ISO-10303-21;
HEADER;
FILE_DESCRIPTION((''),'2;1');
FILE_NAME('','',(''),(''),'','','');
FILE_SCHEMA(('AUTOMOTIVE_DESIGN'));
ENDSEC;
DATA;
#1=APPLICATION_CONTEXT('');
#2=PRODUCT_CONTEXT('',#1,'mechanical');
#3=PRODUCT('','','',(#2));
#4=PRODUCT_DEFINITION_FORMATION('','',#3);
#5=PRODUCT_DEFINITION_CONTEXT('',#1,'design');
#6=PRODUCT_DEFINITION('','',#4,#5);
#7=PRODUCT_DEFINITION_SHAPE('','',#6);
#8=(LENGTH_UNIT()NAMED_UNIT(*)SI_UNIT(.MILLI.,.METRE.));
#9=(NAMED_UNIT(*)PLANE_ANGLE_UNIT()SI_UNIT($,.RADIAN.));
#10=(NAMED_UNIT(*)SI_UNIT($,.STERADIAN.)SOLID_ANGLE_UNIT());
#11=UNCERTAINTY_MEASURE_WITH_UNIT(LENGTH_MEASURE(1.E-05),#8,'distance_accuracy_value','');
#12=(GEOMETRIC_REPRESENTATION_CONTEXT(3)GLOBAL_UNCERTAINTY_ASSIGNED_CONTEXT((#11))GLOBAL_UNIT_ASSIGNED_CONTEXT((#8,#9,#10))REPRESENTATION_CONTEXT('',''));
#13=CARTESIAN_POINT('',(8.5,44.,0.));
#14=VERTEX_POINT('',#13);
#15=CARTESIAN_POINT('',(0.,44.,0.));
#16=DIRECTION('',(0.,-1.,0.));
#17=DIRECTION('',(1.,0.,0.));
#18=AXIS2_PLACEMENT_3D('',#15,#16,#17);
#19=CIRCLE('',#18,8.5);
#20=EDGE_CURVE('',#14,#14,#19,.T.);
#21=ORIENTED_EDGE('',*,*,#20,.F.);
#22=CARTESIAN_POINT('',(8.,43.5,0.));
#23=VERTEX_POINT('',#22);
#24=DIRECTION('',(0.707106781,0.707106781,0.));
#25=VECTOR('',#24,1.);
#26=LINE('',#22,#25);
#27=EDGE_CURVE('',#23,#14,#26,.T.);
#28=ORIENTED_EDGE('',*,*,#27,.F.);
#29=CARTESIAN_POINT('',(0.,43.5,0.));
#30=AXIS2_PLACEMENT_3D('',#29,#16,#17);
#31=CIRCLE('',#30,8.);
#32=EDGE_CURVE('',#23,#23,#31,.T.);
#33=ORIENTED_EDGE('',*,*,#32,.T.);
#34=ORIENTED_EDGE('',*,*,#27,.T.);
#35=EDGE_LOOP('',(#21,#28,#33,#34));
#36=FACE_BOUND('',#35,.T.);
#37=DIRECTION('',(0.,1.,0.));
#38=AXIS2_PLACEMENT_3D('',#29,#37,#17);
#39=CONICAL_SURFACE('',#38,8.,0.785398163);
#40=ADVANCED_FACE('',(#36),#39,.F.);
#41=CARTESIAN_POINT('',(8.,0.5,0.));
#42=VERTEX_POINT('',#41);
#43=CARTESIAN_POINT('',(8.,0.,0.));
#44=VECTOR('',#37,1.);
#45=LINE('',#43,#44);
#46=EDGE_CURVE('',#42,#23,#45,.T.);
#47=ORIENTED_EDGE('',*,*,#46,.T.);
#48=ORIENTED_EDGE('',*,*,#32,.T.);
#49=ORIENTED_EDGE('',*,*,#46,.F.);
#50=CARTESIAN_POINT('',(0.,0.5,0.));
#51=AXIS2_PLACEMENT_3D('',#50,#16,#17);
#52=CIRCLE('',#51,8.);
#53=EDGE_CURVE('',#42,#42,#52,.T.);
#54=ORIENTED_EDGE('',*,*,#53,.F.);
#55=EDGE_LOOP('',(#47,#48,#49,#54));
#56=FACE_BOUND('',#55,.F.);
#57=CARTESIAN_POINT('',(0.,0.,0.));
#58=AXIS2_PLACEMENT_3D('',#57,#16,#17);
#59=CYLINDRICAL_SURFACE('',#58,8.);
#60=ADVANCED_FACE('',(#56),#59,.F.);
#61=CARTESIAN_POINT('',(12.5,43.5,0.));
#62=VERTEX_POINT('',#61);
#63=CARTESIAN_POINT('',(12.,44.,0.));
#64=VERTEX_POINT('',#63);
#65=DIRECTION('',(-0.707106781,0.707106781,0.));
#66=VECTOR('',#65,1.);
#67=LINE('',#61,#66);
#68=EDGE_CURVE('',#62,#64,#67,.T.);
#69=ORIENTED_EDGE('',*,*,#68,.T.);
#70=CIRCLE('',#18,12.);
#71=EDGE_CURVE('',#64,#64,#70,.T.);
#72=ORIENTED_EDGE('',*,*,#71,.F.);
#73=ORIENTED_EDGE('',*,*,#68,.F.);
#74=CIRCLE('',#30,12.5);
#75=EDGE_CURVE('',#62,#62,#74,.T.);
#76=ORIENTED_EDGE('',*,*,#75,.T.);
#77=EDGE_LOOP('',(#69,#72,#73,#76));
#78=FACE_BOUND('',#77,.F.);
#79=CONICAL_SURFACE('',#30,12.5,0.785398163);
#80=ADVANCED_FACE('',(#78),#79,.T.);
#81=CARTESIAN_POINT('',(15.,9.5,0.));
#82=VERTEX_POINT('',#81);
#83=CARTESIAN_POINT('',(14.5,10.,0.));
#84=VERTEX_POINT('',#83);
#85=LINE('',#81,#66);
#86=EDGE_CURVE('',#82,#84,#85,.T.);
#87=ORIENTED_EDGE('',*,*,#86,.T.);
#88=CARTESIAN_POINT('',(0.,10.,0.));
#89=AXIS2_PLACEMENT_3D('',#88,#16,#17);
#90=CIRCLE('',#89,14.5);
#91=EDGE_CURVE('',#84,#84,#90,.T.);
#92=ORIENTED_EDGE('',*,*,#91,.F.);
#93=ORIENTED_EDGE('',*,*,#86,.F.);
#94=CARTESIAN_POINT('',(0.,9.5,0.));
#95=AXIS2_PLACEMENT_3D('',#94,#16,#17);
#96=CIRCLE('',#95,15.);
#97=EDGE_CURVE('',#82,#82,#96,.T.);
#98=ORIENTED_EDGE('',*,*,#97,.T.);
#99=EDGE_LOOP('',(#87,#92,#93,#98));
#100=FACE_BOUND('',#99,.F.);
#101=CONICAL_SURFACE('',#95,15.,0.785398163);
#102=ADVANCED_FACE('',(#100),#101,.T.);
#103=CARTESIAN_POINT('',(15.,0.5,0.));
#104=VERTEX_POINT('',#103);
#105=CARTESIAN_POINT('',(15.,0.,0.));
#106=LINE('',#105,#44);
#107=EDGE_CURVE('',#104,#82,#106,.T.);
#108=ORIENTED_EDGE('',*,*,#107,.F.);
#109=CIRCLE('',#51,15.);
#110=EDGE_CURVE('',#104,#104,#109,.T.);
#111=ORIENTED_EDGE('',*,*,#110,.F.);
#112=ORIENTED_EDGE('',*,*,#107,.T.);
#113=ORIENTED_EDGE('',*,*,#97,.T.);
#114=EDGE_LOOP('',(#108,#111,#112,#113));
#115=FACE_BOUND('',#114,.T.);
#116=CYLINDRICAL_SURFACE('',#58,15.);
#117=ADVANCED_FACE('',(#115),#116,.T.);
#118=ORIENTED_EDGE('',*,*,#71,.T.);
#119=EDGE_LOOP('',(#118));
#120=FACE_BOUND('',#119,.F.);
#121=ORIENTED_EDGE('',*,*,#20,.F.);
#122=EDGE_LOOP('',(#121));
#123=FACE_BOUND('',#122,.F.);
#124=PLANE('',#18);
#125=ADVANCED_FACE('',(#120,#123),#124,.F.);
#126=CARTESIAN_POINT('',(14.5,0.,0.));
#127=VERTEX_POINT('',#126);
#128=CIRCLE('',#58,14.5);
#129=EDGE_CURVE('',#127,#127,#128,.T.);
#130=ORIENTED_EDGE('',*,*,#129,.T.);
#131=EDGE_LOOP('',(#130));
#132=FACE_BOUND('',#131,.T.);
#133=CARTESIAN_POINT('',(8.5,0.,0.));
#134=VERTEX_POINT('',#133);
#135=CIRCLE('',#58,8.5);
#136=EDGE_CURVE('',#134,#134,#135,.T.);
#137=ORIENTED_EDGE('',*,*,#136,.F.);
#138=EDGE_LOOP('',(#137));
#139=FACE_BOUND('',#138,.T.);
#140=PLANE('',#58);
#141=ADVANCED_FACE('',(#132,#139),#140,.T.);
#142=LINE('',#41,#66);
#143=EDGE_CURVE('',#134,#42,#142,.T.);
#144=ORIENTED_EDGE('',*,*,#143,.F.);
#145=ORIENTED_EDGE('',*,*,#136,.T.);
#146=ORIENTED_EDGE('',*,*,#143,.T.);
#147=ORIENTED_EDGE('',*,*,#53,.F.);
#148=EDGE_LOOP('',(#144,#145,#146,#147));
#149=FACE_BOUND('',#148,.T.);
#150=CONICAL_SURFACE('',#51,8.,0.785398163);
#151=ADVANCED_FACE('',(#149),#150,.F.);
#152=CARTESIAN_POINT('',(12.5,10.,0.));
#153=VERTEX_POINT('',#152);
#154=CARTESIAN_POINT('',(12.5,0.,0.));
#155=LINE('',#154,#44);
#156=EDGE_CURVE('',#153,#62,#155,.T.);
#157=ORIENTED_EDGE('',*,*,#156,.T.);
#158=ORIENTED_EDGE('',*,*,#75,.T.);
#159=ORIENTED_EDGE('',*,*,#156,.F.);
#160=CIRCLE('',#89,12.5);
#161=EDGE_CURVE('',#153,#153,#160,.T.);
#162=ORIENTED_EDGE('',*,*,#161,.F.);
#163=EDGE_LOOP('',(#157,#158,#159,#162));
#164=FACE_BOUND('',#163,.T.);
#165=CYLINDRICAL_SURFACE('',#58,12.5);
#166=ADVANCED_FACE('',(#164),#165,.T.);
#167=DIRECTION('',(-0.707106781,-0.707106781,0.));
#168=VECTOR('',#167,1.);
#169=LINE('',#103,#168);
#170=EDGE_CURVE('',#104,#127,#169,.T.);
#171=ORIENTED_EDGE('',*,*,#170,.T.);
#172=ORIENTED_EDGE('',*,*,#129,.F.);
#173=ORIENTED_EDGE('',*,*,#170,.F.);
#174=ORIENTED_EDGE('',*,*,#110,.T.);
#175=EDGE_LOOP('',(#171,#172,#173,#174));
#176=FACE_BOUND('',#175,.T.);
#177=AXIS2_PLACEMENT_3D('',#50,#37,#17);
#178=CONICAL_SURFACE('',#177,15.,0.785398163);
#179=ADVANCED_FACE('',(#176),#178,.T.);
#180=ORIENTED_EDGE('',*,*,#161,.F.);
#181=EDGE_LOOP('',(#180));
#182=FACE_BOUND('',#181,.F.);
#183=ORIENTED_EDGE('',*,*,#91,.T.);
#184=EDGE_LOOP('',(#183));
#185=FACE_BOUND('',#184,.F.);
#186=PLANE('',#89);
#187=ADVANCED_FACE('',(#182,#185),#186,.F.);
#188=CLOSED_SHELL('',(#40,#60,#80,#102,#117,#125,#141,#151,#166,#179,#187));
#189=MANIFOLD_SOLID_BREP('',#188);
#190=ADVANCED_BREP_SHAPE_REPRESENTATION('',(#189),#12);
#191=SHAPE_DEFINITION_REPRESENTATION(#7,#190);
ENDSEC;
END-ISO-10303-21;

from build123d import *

# Parameters (mm, degrees)
F0_R     = 12.5
F0_R_2   = 8
F1_DEPTH = 44
F2_R     = 15
F2_R_2   = 12.5
F3_DEPTH = 10
F4_SIZE  = 0.5


with BuildPart() as f1:
    # F0 (on Front) → F1 (new body)
    with BuildSketch(Plane.XZ):
        Circle(F0_R)
        Circle(F0_R_2, mode=Mode.SUBTRACT)
    extrude(amount=-F1_DEPTH)

    # F2 (on Front) → F3 (join)
    with BuildSketch(Plane.XZ):
        Circle(F2_R)
        Circle(F2_R_2, mode=Mode.SUBTRACT)
    extrude(amount=-F3_DEPTH)

    # F4
    f4_edges = [f1.edges().sort_by_distance(p)[0] for p in [
        (-8, 0, 0),
        (-15, 0, 0),
        (-15, 10, 0),
        (-12.5, 44, 0),
        (-8, 44, 0),
    ]]
    chamfer(f4_edges, length=F4_SIZE)


solid = f1.part
